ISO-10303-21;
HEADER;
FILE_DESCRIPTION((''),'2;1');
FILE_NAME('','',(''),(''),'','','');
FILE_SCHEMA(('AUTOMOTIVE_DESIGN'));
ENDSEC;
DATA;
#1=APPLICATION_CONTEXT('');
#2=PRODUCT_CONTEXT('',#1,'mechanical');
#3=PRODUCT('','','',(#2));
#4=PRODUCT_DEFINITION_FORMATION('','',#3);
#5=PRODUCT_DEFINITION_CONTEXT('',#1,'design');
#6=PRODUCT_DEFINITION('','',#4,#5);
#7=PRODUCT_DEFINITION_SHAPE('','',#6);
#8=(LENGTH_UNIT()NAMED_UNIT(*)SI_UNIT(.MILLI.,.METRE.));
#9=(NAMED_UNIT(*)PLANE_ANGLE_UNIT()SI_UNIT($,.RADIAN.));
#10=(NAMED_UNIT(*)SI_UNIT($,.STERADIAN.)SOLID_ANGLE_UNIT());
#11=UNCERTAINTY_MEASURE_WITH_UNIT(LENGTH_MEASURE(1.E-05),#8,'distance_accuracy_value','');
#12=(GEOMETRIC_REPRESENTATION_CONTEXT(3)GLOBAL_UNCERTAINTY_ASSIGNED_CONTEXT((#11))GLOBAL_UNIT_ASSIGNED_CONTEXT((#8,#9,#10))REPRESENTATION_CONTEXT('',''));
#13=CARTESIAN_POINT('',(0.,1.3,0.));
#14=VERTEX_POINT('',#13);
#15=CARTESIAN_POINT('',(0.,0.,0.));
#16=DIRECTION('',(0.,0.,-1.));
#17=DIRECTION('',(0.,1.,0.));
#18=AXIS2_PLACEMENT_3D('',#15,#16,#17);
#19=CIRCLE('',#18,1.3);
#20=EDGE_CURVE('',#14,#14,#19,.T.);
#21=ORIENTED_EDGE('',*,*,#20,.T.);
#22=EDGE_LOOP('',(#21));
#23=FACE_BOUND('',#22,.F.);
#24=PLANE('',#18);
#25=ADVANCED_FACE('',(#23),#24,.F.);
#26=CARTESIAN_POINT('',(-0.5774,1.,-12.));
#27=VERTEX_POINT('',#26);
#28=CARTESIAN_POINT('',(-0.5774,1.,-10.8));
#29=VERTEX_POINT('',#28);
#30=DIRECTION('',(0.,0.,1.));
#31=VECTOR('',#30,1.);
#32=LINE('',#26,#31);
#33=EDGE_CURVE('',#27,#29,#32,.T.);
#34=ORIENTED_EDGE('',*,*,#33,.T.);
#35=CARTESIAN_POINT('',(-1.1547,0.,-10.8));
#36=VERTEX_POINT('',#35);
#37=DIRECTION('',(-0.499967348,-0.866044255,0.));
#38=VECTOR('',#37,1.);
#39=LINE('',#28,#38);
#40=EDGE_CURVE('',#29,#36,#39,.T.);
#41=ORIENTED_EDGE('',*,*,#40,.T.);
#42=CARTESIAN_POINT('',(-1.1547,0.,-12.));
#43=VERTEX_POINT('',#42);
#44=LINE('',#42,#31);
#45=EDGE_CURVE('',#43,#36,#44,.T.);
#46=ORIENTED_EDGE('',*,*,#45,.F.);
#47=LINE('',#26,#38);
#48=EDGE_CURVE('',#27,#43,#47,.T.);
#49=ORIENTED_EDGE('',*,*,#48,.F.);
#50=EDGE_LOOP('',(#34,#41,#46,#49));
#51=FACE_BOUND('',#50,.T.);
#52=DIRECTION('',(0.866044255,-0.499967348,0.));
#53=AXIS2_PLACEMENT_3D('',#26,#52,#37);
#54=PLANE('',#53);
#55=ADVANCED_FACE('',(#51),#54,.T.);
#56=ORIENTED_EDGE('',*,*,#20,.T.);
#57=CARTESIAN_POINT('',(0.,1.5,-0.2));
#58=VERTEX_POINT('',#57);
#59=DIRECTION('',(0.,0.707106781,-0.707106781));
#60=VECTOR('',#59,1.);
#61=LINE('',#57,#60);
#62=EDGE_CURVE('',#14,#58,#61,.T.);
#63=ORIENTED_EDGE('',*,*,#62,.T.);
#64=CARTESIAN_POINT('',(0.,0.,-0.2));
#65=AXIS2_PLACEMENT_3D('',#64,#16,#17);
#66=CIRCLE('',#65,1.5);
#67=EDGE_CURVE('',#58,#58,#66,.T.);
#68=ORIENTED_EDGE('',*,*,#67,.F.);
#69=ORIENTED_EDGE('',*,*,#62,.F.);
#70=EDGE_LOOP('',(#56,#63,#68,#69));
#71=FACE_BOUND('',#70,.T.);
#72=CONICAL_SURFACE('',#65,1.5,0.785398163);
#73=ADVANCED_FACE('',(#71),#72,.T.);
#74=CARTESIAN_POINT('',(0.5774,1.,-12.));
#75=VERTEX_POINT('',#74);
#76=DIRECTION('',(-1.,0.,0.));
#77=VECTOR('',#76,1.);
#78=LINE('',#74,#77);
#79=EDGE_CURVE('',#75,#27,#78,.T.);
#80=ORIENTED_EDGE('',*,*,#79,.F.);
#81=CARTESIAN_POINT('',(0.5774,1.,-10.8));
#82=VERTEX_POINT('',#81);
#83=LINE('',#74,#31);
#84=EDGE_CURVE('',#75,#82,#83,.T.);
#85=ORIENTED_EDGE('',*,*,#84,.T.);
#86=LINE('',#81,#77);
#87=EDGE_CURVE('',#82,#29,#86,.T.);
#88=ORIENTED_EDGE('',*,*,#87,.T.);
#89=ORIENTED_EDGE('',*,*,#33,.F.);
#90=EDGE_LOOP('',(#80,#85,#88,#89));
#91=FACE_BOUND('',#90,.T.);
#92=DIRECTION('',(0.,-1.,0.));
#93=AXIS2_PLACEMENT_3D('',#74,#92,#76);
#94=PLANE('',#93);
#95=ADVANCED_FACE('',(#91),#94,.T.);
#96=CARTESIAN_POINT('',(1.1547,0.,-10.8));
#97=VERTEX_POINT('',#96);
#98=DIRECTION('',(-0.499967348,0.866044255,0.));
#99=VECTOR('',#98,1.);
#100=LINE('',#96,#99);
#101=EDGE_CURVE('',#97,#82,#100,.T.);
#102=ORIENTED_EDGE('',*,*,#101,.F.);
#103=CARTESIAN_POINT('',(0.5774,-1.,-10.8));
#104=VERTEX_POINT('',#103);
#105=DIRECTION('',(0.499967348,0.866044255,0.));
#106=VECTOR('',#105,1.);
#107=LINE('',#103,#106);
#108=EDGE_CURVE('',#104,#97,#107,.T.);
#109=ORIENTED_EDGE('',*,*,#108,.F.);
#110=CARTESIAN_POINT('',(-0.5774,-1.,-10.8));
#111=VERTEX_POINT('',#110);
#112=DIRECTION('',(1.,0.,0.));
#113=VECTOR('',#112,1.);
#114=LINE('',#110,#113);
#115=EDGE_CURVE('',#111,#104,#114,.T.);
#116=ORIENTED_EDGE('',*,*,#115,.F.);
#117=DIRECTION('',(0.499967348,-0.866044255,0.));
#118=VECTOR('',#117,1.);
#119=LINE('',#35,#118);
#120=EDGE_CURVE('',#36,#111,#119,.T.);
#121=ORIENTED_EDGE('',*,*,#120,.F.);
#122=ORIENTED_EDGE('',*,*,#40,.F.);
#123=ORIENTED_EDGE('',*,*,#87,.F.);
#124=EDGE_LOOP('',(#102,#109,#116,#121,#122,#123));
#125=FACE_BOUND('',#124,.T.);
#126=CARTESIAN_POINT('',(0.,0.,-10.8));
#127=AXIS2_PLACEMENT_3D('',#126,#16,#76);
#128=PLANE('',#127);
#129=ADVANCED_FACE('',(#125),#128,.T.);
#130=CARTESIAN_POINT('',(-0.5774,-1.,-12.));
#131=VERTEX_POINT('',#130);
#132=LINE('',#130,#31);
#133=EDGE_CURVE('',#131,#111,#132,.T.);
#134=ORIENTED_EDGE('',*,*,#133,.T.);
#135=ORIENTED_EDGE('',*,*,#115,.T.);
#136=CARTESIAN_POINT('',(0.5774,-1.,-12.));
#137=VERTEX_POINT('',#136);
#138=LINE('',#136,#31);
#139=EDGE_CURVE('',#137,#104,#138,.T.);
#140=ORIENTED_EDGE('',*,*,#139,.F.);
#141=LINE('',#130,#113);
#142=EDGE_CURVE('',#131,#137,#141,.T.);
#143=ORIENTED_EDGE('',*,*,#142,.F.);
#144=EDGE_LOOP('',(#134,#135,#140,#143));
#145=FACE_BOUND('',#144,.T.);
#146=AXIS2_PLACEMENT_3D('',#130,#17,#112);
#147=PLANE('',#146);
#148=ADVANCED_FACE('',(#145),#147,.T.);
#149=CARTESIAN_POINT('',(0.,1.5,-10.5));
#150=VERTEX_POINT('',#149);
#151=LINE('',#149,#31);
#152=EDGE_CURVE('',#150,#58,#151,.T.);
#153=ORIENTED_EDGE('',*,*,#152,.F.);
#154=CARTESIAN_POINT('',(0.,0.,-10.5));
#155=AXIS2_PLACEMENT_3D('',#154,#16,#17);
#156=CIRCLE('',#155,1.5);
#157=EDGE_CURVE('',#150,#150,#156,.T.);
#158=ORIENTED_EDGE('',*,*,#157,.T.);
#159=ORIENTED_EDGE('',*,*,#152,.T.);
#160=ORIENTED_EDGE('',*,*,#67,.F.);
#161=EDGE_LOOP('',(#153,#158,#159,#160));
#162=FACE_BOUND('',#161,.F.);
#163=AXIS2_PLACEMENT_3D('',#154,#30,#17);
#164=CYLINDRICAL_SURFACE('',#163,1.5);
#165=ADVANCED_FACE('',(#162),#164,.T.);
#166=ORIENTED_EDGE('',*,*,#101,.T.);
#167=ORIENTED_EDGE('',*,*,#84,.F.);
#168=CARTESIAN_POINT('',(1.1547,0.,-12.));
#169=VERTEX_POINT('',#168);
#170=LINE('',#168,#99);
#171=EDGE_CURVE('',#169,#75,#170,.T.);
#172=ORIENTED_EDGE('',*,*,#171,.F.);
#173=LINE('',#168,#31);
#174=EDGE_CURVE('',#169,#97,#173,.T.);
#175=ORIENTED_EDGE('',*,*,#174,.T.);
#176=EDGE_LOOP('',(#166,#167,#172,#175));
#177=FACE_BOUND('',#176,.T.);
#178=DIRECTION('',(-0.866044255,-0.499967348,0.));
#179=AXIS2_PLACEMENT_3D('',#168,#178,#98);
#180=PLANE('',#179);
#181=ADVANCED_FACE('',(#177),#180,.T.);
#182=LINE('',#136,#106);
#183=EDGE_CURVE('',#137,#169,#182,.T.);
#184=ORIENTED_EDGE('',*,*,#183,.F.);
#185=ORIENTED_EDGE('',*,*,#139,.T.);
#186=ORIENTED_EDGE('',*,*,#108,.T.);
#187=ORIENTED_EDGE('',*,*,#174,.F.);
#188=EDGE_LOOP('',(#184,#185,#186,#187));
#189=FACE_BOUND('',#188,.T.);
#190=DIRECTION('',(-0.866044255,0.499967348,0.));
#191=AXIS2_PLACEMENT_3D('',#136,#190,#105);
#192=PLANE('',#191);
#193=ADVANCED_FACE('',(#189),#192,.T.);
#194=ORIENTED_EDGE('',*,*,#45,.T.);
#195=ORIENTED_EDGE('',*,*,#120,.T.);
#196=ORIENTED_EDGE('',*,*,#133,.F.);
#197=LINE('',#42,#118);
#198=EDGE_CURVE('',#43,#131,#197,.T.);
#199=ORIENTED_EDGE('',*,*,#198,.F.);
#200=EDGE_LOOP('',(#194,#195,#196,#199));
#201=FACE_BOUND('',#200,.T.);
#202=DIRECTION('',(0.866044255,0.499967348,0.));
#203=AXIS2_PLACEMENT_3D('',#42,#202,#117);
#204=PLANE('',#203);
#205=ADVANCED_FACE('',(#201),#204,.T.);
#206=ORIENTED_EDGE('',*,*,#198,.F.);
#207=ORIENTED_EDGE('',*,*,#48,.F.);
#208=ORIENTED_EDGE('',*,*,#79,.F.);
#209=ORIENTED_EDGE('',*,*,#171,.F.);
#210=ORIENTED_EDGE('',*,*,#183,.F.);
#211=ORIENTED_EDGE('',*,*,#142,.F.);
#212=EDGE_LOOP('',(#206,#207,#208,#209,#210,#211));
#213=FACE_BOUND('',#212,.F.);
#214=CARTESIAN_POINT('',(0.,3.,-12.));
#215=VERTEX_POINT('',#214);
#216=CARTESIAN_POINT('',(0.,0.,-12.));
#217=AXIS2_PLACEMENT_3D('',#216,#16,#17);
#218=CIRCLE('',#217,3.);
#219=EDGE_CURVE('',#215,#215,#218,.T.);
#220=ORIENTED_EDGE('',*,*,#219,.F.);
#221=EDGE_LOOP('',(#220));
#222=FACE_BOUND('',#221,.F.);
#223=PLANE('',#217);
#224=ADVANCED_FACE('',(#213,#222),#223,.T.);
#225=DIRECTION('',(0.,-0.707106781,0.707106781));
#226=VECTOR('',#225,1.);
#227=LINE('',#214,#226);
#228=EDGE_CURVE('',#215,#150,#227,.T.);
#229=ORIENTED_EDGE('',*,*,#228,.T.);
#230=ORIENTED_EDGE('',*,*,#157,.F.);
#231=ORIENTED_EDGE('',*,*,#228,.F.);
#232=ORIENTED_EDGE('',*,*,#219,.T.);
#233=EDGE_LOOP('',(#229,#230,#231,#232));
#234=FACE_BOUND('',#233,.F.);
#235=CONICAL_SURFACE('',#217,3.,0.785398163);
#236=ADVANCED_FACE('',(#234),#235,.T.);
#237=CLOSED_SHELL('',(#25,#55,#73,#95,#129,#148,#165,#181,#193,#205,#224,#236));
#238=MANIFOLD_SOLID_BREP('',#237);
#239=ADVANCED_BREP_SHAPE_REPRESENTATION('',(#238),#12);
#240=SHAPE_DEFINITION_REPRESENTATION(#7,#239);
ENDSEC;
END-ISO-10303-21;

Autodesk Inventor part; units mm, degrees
ref_plane "YZ Plane" through (0, 0, 0) normal (1, 0, 0) x (0, 1, 0)
ref_plane "XZ Plane" through (0, 0, 0) normal (0, 1, 0) x (-1, 0, 0)
ref_plane "XY Plane" through (0, 0, 0) normal (0, 0, 1) x (1, 0, 0)
sketch "Sketch1" plane through (0, 0, 0) normal (1, 0, 0) x (0, 1, 0)
  line L0 (0, 0) -> (0, -12)
  line L1 (0, -12) -> (3, -12)
  line L2 (3, -12) -> (1.5, -10.5)
  line L3 (1.5, -10.5) -> (1.5, 0)
  line L4 (1.5, 0) -> (0, 0)
  dimension "d0" = 6
  dimension "d1" = 12
  dimension "d2" = 45
  dimension "d3" = 3
revolve "Revolution1" add sketch "Sketch1" angle 360 about axis through (0, 0, 0) along (0, 0, -1)
chamfer "Chamfer1" distance 0.2 angle 45 1 edges at (0, -1.5, 0)
thread "Thread1" size "M3x0.5" class "6g" standard "ANSI Metric M Profile" full length
sketch "Sketch2" plane through (0, 0, -12) normal (0, 0, -1) x (-1, 0, 0)
  circle A0 centre (0, 0) radius 1.3 projected
  line L0 (1.1547, 0) -> (0.5774, -1)
  line L1 (0.5774, -1) -> (-0.5774, -1)
  line L2 (-0.5774, -1) -> (-1.1547, 0)
  line L3 (-1.1547, 0) -> (-0.5774, 1)
  line L4 (-0.5774, 1) -> (0.5774, 1)
  line L5 (0.5774, 1) -> (1.1547, 0)
  dimension "d10" = 2
extrude "Extrusion1" cut sketch "Sketch2" against normal blind 1.2 contours L0 L1 L2 L3 L4 L5
properties part number "M3 x 10mm FHCS"
